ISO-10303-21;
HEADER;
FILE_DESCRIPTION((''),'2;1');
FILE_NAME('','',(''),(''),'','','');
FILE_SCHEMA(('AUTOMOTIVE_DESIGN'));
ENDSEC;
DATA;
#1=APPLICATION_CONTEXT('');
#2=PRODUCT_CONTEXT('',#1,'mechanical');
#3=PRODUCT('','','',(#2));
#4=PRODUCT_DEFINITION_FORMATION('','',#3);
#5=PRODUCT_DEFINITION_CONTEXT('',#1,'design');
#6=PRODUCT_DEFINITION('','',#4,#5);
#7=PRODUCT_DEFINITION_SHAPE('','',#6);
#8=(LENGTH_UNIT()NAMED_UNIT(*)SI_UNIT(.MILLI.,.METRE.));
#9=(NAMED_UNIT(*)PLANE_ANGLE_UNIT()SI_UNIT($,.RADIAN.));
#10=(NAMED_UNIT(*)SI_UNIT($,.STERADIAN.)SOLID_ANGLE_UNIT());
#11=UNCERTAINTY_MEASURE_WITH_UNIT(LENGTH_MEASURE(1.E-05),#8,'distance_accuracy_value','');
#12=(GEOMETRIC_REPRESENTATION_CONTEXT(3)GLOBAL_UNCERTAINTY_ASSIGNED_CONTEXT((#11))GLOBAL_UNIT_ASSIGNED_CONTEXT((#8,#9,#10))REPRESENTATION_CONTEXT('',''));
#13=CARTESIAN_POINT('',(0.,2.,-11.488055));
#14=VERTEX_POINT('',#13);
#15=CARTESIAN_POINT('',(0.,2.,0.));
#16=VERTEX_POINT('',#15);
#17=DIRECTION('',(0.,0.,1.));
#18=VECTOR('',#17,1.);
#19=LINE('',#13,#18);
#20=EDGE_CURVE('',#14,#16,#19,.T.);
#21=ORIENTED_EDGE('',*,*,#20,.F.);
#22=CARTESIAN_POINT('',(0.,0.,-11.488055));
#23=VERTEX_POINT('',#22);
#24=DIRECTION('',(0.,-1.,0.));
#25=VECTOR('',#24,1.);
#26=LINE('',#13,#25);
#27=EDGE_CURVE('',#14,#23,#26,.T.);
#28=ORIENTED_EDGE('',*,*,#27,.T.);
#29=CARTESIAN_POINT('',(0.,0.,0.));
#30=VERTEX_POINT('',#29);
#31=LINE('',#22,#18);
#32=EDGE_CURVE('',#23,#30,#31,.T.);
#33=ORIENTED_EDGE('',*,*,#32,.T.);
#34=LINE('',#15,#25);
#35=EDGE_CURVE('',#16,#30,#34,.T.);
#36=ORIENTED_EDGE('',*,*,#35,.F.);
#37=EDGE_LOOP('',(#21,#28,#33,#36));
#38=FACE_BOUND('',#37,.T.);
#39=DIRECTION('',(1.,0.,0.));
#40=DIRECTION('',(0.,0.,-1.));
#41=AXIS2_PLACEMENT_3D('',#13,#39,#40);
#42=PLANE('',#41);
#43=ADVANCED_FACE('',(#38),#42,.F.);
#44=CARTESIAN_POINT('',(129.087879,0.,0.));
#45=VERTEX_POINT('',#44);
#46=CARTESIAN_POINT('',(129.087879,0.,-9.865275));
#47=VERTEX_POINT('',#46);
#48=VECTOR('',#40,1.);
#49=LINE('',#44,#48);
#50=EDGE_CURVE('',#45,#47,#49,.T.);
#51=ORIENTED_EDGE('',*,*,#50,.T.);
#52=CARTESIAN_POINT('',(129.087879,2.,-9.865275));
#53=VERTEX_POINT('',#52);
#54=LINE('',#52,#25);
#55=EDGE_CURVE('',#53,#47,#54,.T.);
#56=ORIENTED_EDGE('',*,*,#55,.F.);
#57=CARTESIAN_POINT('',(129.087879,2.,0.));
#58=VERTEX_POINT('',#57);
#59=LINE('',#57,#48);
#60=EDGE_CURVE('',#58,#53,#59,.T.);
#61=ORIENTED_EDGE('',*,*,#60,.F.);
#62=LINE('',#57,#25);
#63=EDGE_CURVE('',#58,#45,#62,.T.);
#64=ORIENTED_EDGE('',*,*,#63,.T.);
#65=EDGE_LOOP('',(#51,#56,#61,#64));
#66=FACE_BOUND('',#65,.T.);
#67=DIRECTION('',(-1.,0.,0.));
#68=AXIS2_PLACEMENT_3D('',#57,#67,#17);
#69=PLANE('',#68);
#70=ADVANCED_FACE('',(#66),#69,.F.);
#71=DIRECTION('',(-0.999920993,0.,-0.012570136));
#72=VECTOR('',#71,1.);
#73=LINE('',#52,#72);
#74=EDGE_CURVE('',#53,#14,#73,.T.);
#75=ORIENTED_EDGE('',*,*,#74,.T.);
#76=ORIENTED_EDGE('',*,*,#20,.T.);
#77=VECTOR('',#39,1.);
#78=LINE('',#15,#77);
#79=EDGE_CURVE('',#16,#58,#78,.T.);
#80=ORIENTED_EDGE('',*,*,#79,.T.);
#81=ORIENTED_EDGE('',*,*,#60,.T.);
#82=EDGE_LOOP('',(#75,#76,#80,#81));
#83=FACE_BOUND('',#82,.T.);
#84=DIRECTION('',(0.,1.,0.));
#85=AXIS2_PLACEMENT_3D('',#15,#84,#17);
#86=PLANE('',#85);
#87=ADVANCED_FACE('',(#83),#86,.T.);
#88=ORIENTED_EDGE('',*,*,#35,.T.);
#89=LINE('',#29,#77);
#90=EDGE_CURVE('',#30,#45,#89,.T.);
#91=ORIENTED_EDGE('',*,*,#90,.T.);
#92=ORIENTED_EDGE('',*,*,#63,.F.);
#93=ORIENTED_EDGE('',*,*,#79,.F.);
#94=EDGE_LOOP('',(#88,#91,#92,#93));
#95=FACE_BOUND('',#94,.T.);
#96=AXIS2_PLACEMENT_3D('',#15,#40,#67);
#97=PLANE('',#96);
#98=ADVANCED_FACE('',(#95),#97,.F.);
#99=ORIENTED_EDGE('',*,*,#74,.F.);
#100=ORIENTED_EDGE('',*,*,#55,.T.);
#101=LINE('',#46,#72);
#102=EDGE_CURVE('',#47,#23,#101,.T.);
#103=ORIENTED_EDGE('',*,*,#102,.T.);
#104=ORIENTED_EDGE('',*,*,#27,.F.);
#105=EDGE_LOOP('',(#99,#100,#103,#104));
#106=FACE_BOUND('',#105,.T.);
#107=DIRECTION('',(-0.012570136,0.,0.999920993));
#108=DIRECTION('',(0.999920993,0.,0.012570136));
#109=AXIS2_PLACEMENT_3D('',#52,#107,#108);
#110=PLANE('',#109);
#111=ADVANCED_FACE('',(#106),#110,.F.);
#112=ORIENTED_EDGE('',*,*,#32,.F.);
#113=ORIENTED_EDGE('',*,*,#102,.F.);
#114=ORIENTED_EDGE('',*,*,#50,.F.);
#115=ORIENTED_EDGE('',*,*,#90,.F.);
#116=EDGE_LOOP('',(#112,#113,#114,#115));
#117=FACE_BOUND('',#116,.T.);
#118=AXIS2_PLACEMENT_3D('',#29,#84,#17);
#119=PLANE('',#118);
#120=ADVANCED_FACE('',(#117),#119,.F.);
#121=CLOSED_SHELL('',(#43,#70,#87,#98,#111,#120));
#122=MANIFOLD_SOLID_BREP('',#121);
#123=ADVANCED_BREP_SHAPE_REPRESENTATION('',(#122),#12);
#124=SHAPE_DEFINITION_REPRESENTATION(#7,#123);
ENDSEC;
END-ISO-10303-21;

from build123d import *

# Parameters (mm, degrees)
BOSS_EXTRU_1_DEPTH = 2


with BuildPart() as part:
    # Esquisse1 → Boss.-Extru.1 (new body)
    with BuildSketch(Plane(origin=(0, 0, 0), x_dir=(1, 0, 0), z_dir=(0, 1, 0))):
        Polygon((0, 11.488054861), (0, 0), (129.087879033, 0), (129.087879033, 9.865274508), align=None)
    extrude(amount=BOSS_EXTRU_1_DEPTH)


solid = part.part
